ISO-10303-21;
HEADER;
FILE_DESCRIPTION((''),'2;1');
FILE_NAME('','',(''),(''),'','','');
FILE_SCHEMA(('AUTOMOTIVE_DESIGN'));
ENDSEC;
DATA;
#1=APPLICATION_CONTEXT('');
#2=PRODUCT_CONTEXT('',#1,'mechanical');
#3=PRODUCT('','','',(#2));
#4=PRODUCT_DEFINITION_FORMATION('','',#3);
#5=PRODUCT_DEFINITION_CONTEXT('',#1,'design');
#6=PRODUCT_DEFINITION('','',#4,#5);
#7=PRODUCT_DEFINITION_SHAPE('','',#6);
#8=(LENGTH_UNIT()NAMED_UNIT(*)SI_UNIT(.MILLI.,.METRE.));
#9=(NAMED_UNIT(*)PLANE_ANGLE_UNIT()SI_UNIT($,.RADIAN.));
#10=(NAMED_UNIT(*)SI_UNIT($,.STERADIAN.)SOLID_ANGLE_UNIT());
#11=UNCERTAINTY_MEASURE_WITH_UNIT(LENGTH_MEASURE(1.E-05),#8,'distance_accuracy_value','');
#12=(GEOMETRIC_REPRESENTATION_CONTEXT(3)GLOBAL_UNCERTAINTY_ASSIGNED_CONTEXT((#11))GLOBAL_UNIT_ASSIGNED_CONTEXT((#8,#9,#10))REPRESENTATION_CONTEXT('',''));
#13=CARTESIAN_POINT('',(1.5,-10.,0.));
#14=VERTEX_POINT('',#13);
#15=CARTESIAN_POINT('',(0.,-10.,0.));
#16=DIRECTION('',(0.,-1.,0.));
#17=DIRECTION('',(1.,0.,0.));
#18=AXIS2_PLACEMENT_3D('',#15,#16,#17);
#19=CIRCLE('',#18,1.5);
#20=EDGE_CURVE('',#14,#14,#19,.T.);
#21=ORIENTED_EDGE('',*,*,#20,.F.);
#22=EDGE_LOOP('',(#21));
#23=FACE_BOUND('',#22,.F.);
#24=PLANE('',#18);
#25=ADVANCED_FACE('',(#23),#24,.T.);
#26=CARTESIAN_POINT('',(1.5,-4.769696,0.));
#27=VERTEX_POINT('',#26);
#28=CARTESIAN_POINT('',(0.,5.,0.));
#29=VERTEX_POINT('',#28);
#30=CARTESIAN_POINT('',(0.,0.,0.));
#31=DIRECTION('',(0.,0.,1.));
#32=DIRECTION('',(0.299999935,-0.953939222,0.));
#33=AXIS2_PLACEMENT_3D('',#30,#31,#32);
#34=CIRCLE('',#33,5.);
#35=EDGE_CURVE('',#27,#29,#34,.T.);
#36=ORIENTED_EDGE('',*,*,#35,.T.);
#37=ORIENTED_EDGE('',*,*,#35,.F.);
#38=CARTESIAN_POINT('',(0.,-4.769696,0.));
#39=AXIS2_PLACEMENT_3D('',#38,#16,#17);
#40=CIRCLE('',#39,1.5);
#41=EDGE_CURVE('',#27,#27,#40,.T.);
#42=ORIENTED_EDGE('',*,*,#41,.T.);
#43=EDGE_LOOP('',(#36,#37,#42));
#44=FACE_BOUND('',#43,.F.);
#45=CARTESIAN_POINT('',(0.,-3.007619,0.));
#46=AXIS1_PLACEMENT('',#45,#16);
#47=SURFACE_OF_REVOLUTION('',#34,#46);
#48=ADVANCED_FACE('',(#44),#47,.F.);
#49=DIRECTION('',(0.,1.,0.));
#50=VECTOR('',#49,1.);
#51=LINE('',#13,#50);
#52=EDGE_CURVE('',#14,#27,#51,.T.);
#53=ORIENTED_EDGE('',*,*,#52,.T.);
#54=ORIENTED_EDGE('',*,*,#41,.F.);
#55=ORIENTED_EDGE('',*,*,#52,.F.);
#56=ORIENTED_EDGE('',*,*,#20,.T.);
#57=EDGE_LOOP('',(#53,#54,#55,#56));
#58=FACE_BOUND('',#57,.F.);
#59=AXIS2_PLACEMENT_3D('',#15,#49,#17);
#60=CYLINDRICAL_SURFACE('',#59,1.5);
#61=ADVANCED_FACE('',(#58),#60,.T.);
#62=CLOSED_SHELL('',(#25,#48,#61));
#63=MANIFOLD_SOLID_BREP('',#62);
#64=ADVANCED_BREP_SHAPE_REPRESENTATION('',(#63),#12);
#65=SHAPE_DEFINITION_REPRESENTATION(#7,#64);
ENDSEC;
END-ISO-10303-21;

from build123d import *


with BuildPart() as f1:
    # F0 (on Top) → F1 (revolve)
    with BuildSketch(Plane.XY):
        with BuildLine():
            Line((1.5, -10), (1.5, -4.769696))
            ThreePointArc((1.5, -4.769696), (4.942089, 0.758788), (0, 5))
            Line((0, 5), (0, -10))
            Line((0, -10), (1.5, -10))
        make_face()
    revolve(axis=Axis((0, -3.007619, 0), (0, -1, 0)))


solid = f1.part
